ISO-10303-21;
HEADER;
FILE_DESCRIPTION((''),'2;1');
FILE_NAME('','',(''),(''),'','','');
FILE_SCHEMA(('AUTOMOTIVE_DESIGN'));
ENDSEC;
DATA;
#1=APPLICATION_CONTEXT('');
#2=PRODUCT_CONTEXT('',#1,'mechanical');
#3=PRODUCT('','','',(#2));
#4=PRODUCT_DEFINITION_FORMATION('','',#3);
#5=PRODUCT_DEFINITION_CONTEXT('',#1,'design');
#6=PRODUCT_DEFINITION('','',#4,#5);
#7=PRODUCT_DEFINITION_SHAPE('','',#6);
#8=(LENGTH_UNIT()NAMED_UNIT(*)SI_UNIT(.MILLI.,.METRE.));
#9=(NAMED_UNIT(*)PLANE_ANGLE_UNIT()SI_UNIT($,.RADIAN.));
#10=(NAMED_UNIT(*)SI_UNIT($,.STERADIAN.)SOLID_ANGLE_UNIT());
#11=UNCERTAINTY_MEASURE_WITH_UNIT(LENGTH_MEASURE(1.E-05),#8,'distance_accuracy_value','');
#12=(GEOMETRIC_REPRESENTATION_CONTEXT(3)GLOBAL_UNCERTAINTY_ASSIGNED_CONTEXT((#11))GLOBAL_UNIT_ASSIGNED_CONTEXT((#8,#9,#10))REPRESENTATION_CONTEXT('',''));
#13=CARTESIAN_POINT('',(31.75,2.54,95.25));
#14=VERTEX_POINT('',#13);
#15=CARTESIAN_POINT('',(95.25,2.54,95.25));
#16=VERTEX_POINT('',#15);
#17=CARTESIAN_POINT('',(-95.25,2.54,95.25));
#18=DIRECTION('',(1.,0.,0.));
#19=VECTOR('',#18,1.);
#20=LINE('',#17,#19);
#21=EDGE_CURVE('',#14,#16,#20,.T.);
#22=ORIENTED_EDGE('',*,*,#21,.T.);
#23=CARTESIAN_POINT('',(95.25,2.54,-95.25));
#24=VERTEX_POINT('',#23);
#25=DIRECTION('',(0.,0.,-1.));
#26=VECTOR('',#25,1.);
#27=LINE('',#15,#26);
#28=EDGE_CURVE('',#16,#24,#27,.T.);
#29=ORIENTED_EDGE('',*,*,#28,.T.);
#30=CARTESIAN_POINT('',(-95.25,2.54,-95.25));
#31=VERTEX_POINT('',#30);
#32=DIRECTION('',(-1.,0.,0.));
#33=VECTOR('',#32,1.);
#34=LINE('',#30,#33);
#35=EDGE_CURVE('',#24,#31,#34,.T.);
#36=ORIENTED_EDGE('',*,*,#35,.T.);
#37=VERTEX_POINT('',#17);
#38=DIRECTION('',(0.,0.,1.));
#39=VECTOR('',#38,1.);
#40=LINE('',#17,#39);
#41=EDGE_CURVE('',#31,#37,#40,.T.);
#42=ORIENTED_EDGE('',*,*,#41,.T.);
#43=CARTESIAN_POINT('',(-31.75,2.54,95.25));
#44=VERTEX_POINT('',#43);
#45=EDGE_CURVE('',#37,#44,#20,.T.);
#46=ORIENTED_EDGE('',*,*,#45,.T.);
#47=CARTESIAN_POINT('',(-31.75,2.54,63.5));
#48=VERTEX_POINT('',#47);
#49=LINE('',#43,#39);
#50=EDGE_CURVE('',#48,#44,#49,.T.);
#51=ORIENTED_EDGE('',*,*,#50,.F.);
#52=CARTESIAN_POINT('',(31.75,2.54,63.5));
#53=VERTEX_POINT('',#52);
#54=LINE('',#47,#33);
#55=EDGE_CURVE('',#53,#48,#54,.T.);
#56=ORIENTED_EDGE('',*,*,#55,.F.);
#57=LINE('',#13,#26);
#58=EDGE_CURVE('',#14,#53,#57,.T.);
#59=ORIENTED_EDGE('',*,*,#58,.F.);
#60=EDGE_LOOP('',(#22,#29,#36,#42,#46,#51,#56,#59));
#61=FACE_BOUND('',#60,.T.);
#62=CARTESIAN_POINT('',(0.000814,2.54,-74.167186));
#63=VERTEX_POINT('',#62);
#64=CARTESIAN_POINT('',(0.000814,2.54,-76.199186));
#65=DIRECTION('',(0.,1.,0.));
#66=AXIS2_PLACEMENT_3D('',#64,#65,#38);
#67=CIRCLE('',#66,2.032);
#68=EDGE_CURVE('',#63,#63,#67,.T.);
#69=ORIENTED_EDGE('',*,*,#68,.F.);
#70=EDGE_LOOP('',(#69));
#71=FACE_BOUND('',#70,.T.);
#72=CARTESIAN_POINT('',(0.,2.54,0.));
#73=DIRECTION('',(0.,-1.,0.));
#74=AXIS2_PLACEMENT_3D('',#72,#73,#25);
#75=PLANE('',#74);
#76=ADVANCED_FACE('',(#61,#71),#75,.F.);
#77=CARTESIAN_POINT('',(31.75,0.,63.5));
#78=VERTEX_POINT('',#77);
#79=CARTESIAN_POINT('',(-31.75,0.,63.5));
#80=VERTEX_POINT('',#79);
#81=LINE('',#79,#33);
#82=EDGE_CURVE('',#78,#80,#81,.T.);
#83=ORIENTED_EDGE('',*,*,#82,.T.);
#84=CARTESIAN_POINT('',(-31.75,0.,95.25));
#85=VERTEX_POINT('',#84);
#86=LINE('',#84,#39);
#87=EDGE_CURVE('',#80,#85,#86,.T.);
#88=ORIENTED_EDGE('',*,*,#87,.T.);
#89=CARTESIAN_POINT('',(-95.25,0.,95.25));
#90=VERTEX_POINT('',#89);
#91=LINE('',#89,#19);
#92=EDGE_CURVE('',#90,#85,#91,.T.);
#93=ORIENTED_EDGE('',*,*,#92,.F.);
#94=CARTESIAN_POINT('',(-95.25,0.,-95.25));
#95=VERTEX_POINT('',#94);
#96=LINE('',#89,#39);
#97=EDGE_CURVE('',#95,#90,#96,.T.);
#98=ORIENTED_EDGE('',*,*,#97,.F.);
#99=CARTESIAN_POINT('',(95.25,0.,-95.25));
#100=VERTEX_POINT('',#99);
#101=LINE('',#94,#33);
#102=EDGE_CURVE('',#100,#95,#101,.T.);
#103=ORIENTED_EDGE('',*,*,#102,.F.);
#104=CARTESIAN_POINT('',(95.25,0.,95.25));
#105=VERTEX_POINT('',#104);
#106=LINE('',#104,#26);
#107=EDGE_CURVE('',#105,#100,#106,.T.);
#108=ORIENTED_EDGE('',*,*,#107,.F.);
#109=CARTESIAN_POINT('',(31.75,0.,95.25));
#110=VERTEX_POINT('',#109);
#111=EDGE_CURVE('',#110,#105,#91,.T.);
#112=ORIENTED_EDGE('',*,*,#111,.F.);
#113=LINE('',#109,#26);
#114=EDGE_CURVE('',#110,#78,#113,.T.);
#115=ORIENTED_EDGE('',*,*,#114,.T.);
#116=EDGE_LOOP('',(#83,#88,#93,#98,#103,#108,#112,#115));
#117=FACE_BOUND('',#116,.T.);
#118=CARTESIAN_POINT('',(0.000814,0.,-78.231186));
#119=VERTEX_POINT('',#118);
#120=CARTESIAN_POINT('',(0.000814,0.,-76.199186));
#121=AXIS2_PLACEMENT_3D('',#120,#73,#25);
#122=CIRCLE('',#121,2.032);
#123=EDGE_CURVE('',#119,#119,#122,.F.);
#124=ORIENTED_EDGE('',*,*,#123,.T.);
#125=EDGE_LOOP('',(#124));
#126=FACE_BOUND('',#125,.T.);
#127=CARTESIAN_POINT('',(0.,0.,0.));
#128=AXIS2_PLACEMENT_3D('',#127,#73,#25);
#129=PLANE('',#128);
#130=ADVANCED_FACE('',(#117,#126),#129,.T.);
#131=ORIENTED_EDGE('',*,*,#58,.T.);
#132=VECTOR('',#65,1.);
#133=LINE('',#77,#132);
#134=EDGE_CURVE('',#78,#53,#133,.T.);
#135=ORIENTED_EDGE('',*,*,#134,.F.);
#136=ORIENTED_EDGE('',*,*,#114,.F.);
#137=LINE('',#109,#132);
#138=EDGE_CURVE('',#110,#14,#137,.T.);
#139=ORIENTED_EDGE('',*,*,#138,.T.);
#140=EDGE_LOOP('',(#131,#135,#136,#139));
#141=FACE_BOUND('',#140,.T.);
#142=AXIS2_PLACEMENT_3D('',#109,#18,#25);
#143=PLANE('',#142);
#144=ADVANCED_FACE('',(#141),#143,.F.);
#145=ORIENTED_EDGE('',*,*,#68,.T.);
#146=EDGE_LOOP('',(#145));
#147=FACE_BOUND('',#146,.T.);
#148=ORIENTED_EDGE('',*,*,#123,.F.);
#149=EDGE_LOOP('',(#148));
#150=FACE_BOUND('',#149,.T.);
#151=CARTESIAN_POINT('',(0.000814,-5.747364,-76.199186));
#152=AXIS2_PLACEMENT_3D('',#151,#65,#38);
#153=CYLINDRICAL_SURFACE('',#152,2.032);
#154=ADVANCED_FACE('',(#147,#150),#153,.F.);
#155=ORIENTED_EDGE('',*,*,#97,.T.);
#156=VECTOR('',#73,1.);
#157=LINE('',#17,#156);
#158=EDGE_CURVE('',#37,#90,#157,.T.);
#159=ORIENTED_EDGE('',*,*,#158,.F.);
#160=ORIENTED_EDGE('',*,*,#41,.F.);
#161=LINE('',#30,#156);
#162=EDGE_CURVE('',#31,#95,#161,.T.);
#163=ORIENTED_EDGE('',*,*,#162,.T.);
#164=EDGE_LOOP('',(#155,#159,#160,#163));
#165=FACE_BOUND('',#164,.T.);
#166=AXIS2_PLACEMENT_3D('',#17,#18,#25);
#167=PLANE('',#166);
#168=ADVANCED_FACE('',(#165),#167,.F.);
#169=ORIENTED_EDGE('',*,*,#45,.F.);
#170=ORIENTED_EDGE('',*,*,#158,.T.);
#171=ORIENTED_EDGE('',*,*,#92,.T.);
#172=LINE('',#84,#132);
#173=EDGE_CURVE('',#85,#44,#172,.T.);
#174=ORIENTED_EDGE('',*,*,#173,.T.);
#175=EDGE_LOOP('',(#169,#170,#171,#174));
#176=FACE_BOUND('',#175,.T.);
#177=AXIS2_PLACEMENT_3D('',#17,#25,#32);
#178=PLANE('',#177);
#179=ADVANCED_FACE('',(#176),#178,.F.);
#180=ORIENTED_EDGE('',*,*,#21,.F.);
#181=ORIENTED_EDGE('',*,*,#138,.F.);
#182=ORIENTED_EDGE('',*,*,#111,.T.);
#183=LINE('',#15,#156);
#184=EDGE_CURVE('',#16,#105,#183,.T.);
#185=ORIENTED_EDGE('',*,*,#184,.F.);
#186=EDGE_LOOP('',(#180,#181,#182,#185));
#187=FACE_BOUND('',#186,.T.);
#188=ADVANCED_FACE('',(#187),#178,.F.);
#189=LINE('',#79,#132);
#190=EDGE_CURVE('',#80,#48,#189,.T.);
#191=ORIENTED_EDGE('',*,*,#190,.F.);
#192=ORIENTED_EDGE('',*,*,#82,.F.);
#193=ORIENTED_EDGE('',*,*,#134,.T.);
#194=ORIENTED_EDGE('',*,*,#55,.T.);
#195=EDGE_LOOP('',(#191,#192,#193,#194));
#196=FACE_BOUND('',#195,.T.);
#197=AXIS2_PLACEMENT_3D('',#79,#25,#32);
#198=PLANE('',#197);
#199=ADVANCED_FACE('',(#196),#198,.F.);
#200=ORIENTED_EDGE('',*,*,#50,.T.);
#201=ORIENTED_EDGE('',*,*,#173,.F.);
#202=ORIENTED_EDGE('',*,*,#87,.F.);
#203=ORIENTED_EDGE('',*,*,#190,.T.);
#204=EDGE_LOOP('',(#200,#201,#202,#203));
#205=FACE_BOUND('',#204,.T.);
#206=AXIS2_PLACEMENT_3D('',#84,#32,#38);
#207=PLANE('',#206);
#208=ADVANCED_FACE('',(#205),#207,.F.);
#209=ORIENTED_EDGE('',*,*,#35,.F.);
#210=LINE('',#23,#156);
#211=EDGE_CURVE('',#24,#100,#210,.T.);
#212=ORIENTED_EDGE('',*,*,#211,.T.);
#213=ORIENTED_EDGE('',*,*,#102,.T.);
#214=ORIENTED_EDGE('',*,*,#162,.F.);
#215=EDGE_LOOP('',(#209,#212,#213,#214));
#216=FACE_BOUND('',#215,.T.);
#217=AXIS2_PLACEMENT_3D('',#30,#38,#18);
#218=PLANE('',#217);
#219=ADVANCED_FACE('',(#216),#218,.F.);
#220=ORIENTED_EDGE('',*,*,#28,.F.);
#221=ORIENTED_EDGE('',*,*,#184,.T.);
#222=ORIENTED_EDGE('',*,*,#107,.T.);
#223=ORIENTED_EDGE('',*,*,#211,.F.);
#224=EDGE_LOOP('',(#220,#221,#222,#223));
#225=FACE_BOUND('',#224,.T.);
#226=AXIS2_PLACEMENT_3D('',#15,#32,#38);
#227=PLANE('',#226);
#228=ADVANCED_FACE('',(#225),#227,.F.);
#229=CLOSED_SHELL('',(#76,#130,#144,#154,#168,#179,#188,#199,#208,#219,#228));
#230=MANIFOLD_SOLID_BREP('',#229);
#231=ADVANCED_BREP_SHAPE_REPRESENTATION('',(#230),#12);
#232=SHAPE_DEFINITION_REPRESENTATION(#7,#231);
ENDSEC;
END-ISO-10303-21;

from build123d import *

# Parameters (mm, degrees)
SKETCH1_W           = 190.5
SKETCH1_H           = 190.5
BOSS_EXTRUDE1_DEPTH = 2.54
SKETCH2_W           = 63.5
SKETCH2_H           = 31.75
CUT_EXTRUDE1_DEPTH  = 2.54
SKETCH3_R           = 2.032
CUT_EXTRUDE2_DEPTH  = 2.54


with BuildPart() as part:
    # Sketch1 → Boss-Extrude1 (new body)
    with BuildSketch(Plane(origin=(0, 0, 0), x_dir=(1, 0, 0), z_dir=(0, 1, 0))):
        Rectangle(SKETCH1_W, SKETCH1_H)
    extrude(amount=BOSS_EXTRUDE1_DEPTH)

    # Sketch2 → Cut-Extrude1 (cut)
    with BuildSketch(Plane(origin=(0, 2.54, 0), x_dir=(1, 0, 0), z_dir=(0, 1, 0))):
        with Locations((0, -79.375)):
            Rectangle(SKETCH2_W, SKETCH2_H)
    extrude(amount=-CUT_EXTRUDE1_DEPTH, mode=Mode.SUBTRACT)

    # Sketch3 → Cut-Extrude2 (cut)
    with BuildSketch(Plane(origin=(0, 2.54, 0), x_dir=(1, 0, 0), z_dir=(0, 1, 0))):
        with Locations((0.000813673, 76.199186327)):
            Circle(SKETCH3_R)
    extrude(amount=-CUT_EXTRUDE2_DEPTH, mode=Mode.SUBTRACT)


solid = part.part
